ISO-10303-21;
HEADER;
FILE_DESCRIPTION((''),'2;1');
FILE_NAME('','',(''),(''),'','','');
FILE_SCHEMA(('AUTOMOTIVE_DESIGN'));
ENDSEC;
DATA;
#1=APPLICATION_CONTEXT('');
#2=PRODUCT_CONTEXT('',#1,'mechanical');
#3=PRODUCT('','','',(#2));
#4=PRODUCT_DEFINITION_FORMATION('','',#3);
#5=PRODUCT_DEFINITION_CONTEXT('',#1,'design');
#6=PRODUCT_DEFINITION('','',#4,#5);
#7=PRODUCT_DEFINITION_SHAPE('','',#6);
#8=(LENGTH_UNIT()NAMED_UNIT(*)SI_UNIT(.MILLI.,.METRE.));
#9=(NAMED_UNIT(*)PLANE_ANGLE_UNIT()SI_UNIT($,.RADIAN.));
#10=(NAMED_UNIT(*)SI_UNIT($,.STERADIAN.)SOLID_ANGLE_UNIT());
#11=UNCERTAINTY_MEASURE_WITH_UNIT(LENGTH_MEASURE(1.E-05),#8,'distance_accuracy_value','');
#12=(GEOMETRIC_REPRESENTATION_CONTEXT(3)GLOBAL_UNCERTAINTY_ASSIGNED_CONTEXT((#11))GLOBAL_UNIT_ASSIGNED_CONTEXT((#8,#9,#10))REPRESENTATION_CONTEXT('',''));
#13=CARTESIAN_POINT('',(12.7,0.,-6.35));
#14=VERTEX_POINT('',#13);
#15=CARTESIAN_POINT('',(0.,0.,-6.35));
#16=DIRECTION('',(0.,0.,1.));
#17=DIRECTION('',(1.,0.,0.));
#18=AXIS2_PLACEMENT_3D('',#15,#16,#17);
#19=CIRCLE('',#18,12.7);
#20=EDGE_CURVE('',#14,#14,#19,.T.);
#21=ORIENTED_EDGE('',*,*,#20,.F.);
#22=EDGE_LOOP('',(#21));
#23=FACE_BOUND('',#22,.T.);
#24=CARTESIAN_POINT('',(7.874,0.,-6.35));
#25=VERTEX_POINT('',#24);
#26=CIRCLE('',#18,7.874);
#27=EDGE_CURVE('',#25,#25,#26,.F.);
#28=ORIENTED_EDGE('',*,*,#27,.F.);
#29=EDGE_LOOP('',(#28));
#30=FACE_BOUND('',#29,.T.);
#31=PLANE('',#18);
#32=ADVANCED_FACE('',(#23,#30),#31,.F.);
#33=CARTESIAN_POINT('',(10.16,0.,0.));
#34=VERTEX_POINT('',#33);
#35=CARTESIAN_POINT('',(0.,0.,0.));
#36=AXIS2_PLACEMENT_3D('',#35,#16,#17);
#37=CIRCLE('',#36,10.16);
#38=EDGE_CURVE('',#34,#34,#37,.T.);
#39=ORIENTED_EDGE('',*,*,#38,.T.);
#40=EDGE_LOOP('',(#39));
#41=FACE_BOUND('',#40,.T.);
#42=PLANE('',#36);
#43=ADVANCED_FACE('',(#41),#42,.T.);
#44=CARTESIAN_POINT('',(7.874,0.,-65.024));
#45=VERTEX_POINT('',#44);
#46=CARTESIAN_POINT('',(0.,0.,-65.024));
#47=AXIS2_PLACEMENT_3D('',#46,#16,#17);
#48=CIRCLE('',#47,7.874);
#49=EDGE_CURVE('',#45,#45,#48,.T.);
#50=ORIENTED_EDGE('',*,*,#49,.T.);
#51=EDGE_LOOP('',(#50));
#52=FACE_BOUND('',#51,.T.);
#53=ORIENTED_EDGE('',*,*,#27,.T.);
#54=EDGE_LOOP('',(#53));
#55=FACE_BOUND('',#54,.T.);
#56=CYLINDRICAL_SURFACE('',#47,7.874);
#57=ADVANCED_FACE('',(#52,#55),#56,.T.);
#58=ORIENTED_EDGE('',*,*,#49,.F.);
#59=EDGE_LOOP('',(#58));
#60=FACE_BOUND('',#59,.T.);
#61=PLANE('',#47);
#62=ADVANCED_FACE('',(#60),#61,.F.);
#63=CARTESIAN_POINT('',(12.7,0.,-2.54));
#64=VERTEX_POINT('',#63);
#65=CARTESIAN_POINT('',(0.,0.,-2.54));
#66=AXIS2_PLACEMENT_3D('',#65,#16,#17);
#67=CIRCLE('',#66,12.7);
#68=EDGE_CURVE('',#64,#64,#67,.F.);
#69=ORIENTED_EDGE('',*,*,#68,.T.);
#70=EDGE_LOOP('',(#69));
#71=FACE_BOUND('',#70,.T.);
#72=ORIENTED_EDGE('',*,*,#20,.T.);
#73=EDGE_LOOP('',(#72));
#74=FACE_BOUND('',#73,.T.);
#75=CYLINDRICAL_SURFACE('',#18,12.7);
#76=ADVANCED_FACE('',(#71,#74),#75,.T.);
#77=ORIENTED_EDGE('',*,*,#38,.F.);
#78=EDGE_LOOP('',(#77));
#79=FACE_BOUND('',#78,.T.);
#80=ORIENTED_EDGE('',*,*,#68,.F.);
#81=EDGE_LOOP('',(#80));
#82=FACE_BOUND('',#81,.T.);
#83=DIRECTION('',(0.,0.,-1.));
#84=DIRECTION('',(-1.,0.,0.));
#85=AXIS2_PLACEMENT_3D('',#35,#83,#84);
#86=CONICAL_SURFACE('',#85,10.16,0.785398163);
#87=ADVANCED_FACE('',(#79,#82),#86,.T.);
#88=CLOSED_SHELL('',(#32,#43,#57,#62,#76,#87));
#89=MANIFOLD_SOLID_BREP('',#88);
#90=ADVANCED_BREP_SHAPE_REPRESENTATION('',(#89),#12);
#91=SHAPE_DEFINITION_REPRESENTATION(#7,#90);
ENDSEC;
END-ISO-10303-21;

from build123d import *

# Parameters (mm, degrees)
SKETCH1_R           = 7.874
BOSS_EXTRUDE1_DEPTH = 65.024
SKETCH2_R           = 12.7
BOSS_EXTRUDE2_DEPTH = 6.35
CHAMFER1_SIZE       = 2.54


with BuildPart() as part:
    # Sketch1 → Boss-Extrude1 (new body)
    with BuildSketch(Plane.XY):
        Circle(SKETCH1_R)
    extrude(amount=-BOSS_EXTRUDE1_DEPTH)

    # Sketch2 → Boss-Extrude2 (add)
    with BuildSketch(Plane.XY):
        Circle(SKETCH2_R)
    extrude(amount=-BOSS_EXTRUDE2_DEPTH)

    # Chamfer1
    chamfer1_edges = [part.edges().sort_by_distance(p)[0] for p in [
        (-12.7, 0, 0),
    ]]
    chamfer(chamfer1_edges, length=CHAMFER1_SIZE)


solid = part.part
